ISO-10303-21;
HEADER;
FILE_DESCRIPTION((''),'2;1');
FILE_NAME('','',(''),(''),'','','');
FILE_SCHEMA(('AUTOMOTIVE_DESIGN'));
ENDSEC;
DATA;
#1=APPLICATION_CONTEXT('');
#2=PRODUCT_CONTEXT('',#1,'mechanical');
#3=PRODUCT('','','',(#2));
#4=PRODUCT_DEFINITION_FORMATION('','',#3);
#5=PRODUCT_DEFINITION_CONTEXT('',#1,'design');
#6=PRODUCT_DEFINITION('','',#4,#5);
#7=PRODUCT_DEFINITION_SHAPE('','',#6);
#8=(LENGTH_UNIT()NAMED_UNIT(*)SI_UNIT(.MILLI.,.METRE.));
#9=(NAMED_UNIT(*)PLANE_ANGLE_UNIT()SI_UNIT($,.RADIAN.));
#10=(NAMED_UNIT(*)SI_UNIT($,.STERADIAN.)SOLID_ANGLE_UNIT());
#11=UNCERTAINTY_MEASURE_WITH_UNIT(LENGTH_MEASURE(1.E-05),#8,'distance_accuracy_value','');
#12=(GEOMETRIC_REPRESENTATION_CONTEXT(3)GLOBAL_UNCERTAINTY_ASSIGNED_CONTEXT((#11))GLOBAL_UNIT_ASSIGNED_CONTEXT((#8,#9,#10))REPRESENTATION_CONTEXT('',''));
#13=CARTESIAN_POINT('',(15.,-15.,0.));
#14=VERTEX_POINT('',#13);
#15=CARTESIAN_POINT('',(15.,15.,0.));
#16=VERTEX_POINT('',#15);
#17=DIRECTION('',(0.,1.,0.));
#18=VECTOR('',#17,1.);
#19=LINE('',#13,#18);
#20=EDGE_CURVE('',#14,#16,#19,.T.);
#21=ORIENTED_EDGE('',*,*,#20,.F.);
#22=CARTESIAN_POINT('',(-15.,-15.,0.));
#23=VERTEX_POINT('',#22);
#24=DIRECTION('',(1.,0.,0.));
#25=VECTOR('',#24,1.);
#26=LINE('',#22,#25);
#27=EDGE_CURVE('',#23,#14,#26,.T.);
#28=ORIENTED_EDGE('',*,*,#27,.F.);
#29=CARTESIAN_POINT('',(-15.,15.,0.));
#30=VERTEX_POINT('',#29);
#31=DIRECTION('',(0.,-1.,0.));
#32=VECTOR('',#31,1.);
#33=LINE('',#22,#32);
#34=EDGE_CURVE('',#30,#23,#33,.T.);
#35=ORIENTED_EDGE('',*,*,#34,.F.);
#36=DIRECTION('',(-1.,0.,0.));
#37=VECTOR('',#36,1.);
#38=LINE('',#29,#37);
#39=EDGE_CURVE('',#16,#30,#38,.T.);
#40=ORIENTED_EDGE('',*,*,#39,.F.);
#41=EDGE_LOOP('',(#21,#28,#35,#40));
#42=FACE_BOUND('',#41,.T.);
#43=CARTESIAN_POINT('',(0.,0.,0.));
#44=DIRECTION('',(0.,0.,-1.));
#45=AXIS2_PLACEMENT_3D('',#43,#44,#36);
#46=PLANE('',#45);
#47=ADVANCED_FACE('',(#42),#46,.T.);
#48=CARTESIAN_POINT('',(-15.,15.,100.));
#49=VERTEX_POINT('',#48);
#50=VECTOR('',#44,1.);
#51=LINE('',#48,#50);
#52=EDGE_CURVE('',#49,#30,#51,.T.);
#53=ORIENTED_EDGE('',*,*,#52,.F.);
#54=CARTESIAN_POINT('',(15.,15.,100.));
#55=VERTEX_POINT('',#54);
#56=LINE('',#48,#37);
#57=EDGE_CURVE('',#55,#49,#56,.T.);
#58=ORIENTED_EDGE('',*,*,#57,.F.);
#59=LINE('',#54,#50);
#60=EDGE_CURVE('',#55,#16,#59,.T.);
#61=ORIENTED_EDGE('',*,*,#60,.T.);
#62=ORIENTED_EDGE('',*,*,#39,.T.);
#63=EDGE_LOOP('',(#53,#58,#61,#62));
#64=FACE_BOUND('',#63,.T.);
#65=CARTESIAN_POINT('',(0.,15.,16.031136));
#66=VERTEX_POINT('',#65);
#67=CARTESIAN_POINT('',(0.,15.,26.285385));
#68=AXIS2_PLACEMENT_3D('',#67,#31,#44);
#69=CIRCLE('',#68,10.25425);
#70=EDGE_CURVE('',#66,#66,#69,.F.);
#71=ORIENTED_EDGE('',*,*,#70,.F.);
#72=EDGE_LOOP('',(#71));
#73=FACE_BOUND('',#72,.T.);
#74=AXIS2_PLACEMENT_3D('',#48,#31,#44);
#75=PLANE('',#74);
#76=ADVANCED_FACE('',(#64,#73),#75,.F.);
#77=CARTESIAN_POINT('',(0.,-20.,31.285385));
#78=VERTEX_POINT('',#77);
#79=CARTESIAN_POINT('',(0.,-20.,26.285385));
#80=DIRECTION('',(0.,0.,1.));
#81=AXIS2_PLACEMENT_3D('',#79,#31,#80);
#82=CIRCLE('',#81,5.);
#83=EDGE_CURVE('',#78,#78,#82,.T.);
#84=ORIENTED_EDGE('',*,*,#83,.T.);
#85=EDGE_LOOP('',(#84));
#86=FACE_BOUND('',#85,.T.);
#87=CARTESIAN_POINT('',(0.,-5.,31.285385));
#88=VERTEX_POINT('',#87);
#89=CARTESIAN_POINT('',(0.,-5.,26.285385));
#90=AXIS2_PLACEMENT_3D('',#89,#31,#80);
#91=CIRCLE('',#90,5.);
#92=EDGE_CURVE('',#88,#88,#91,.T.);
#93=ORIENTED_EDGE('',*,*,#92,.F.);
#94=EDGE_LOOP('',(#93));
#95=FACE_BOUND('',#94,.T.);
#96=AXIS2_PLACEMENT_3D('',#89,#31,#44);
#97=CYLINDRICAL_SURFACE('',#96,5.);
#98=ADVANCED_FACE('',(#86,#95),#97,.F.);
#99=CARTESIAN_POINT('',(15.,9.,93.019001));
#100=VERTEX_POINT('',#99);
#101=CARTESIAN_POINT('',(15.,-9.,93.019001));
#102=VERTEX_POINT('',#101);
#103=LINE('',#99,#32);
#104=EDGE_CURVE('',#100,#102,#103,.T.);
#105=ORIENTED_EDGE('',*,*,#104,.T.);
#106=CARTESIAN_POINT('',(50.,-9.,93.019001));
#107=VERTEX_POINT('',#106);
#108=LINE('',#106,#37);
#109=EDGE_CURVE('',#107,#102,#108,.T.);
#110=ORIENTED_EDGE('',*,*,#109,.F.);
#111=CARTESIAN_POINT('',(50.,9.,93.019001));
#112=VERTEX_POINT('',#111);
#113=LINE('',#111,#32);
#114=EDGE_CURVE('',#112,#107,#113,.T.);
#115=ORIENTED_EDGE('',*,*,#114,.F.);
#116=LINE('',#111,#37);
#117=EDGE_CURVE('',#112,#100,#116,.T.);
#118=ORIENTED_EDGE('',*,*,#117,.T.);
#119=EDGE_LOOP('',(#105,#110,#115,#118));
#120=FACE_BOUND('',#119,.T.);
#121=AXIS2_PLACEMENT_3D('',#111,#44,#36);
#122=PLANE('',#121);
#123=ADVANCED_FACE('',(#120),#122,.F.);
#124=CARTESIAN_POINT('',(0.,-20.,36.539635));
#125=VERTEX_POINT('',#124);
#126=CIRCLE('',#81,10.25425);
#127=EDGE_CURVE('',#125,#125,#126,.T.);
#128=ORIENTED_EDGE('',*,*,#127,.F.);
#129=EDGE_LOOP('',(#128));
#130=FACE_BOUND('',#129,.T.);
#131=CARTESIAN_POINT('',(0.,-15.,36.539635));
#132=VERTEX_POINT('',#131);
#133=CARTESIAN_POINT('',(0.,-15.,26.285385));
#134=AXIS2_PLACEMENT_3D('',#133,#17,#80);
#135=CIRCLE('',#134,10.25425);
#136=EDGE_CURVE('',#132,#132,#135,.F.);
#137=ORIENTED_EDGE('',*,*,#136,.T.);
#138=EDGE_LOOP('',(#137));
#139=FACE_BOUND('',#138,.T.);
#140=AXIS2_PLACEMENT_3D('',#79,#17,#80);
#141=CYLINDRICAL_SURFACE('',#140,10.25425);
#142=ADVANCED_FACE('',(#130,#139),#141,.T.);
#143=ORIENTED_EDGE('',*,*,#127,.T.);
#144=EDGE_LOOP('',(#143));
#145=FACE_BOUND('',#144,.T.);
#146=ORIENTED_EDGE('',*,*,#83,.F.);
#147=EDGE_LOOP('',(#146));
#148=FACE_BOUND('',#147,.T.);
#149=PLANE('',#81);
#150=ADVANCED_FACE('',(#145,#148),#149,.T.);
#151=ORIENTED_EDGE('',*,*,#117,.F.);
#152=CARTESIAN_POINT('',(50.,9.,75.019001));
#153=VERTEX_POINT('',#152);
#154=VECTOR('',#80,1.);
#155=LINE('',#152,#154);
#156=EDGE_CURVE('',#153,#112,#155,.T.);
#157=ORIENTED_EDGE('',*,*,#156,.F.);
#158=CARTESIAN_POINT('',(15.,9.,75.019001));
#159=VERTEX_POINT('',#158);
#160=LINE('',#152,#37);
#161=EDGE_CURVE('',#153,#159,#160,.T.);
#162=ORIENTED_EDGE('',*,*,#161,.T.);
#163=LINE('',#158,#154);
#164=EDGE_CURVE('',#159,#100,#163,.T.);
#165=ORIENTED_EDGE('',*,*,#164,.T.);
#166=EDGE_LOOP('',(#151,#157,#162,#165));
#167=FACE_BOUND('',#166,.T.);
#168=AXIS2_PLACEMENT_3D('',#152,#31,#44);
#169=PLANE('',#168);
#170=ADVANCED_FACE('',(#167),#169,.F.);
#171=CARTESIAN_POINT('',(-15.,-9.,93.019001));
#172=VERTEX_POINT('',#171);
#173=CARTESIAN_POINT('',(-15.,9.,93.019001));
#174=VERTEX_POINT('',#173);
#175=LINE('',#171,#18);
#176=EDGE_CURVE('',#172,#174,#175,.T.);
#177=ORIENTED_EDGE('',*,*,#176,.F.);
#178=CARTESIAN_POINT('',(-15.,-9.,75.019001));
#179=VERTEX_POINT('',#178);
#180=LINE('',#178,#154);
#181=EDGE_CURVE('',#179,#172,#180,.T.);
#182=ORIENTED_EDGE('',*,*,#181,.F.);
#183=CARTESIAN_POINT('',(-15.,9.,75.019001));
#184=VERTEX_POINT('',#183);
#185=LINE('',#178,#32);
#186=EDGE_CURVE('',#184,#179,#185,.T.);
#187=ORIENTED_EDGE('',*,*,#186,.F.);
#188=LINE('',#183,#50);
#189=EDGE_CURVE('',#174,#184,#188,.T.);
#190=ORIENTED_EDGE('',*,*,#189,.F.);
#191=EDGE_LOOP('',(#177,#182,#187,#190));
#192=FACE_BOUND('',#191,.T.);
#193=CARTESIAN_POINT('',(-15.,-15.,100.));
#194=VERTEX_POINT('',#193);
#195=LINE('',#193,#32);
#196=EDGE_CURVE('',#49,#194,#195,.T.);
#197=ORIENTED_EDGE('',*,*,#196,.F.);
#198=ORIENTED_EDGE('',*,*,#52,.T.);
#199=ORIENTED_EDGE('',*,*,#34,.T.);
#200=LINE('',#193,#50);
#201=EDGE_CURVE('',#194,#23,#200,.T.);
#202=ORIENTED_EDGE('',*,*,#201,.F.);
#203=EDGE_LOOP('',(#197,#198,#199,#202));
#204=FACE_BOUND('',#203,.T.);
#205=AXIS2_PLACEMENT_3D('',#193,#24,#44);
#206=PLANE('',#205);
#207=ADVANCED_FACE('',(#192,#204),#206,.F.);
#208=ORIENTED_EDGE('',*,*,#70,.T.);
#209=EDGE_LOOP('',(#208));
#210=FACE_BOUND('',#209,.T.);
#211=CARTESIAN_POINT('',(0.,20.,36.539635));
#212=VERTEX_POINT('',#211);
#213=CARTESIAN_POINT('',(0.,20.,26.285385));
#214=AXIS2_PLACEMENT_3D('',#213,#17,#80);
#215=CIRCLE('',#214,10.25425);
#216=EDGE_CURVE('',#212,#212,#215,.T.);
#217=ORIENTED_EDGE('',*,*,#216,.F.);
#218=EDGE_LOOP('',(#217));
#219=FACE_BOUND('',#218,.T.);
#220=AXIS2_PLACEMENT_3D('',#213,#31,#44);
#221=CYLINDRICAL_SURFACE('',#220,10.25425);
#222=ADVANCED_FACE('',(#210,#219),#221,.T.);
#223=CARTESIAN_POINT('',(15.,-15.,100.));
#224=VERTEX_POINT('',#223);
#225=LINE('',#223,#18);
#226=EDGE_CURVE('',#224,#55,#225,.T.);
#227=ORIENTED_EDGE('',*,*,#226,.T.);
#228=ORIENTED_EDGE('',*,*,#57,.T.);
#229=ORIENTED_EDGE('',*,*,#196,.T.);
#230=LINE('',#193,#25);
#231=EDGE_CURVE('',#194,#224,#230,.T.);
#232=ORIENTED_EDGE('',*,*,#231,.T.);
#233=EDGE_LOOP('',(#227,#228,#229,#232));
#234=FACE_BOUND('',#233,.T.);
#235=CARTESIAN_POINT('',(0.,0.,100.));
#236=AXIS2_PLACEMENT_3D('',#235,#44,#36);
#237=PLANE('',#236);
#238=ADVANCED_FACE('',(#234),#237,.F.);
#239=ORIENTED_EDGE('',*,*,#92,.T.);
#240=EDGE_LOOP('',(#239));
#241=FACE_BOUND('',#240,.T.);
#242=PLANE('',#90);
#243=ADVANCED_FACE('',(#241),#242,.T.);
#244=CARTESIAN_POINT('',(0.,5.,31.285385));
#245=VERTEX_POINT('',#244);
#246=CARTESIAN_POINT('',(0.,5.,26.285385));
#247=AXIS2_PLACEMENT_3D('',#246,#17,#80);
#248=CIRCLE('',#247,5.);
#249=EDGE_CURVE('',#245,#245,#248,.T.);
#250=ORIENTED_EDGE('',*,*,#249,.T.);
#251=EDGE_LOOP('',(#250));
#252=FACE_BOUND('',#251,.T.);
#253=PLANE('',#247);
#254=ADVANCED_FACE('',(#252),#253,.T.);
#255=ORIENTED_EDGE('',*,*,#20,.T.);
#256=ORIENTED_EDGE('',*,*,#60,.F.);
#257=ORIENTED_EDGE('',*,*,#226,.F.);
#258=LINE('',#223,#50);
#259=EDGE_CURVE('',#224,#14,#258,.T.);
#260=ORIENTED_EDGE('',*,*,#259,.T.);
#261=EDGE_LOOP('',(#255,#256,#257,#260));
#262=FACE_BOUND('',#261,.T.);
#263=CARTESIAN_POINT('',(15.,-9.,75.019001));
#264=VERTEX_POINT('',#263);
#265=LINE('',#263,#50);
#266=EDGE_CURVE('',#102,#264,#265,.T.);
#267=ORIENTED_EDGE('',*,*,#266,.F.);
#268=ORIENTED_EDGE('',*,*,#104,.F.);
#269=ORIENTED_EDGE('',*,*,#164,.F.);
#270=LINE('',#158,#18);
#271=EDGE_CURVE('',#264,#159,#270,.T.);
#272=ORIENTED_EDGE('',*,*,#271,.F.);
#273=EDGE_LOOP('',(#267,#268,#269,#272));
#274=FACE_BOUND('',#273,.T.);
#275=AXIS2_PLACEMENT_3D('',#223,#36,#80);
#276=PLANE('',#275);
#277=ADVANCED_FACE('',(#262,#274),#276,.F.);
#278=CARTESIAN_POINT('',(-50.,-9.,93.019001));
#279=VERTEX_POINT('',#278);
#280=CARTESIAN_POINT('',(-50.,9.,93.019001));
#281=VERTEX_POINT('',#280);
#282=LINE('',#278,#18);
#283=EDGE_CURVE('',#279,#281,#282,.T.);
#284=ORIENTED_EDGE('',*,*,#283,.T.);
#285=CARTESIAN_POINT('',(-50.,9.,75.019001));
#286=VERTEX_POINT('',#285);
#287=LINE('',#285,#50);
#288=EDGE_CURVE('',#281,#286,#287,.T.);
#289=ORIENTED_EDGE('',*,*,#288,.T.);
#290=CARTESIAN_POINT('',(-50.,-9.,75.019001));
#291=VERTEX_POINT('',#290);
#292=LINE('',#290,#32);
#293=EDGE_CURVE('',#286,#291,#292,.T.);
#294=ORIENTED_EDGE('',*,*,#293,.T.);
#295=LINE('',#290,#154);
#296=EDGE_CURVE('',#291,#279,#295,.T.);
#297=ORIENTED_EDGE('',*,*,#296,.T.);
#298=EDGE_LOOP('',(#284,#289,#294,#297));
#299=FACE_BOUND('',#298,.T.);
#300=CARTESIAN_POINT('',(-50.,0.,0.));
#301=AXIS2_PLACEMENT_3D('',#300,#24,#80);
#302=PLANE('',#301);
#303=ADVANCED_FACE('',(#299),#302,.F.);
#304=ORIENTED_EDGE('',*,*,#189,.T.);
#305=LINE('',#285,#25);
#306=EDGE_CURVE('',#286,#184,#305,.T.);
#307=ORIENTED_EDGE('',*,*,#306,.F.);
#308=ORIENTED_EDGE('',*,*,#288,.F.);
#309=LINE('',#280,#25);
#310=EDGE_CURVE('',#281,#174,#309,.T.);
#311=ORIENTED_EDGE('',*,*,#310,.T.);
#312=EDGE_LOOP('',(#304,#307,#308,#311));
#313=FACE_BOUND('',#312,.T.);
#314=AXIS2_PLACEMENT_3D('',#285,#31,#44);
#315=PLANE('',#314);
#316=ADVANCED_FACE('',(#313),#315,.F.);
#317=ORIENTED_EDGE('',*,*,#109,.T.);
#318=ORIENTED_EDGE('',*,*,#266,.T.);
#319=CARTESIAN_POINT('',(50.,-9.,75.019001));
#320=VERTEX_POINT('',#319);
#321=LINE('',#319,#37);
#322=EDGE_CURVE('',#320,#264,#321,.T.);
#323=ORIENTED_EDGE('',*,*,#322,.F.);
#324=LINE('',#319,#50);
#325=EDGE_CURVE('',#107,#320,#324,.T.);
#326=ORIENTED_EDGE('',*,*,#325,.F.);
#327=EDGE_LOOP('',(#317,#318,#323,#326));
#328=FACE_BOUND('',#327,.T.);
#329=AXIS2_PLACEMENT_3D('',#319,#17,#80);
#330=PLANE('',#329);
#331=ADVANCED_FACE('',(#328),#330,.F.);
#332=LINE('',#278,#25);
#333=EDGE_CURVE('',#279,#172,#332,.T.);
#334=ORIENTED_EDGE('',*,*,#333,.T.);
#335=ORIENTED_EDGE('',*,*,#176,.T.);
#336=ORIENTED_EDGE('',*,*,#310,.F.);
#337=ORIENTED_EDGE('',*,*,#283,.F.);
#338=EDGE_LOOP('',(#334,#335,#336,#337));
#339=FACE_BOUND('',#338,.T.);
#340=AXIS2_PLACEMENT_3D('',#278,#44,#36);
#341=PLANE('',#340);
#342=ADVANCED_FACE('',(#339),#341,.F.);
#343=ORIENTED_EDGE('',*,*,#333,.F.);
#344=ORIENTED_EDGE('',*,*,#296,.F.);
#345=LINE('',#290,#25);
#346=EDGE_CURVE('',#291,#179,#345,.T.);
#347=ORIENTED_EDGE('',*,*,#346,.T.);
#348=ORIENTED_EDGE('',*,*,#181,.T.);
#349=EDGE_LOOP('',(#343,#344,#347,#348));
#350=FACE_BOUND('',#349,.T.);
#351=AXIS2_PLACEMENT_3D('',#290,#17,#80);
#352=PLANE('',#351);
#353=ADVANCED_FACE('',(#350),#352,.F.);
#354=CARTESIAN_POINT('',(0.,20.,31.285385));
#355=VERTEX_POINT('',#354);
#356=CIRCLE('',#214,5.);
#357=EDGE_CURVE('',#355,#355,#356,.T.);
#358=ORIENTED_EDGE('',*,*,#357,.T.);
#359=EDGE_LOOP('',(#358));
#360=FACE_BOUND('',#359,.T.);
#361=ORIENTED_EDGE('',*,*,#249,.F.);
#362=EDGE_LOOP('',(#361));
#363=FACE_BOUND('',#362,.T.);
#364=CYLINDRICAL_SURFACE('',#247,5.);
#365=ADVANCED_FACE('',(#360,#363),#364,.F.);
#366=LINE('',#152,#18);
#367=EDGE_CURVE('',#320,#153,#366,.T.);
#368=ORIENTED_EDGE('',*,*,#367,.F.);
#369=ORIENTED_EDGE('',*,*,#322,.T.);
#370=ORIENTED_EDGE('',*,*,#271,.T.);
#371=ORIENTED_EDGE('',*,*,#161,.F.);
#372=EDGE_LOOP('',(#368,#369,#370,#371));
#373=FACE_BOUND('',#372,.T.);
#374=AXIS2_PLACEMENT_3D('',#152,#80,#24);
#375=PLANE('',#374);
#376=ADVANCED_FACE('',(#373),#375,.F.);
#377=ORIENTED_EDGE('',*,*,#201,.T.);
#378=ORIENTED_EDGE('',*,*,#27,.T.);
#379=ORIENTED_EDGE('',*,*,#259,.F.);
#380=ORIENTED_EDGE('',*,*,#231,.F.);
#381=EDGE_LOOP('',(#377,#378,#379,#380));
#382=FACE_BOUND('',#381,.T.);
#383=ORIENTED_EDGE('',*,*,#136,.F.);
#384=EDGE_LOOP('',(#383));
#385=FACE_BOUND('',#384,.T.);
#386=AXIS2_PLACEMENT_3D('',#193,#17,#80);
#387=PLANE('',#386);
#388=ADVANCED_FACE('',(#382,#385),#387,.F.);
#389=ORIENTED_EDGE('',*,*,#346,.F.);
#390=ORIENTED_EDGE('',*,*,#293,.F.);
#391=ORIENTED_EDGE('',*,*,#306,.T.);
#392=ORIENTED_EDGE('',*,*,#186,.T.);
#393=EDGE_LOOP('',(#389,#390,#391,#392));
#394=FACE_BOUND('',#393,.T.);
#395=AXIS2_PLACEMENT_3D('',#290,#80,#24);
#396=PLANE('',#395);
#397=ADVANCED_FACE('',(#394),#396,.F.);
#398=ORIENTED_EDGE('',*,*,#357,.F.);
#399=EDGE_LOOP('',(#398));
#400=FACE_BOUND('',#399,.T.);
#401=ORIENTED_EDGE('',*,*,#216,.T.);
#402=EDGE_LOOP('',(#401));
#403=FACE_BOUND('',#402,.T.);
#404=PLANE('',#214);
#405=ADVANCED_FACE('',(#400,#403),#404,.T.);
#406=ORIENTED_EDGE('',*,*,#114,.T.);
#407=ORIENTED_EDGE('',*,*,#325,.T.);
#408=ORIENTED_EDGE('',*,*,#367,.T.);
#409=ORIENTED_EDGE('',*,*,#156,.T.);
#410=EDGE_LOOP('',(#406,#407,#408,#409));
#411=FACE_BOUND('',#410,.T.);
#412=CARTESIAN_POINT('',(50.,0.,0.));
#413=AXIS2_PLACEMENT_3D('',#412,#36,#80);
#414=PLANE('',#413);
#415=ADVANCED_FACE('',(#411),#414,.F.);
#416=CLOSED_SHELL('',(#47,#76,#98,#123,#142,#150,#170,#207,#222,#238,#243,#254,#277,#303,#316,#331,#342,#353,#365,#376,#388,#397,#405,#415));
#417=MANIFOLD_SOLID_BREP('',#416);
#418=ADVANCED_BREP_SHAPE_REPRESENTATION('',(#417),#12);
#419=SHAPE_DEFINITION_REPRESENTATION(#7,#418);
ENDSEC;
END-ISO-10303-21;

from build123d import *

# Parameters (mm, degrees)
SKETCH_2_W               = 30
SKETCH_2_H               = 30
EXTRUDE_1_DEPTH          = 100
SKETCH_3_W               = 18
SKETCH_3_H               = 18
EXTRUDE_2_DEPTH          = 35
PATTERN_CIRCULAR_1_COUNT = 2
SKETCH_4_R               = 10.254249717
EXTRUDE_4_DEPTH          = 5
SKETCH_5_R               = 5
CUT_EXTRUDE_2_DEPTH      = 15
PATTERN_CIRCULAR_3_COUNT = 2
PATTERN_CIRCULAR_4_COUNT = 2


with BuildPart() as part:
    # 草图2 → 凸台-拉伸1 (new body)
    with BuildSketch(Plane.XY):
        Rectangle(SKETCH_2_W, SKETCH_2_H)
    extrude(amount=EXTRUDE_1_DEPTH)

    # 草图3 → 凸台-拉伸2 (add)
    with BuildSketch(Plane(origin=(15, 0, 0), x_dir=(0, 0, -1), z_dir=(1, 0, 0))):
        with Locations((-84.019000904, 0)):
            Rectangle(SKETCH_3_W, SKETCH_3_H)
    extrude_2 = extrude(amount=EXTRUDE_2_DEPTH)

    # 阵列(圆周)1: 凸台-拉伸2 ×2 about axis
    pattern_circular_1_axis = Axis((0, 0, 0), (0, 0, 1))
    for i in range(1, PATTERN_CIRCULAR_1_COUNT):
        add(extrude_2.rotate(pattern_circular_1_axis, i * 360 / PATTERN_CIRCULAR_1_COUNT))

    # 草图4 → 凸台-拉伸4 (add)
    with BuildSketch(Plane(origin=(0, 15, 0), x_dir=(1, 0, 0), z_dir=(0, 1, 0))):
        with Locations((0, -26.28538531)):
            Circle(SKETCH_4_R)
    extrude_4 = extrude(amount=EXTRUDE_4_DEPTH)

    # 草图5 → 切除-拉伸2 (cut)
    with BuildSketch(Plane(origin=(0, 20, 0), x_dir=(1, 0, 0), z_dir=(0, 1, 0))):
        with Locations((0, -26.28538531)):
            Circle(SKETCH_5_R)
    cut_extrude_2 = extrude(amount=-CUT_EXTRUDE_2_DEPTH, mode=Mode.SUBTRACT)

    # 阵列(圆周)3: 凸台-拉伸4 ×2 about axis
    pattern_circular_3_axis = Axis((0, 0, 100), (0, 0, -1))
    for i in range(1, PATTERN_CIRCULAR_3_COUNT):
        add(extrude_4.rotate(pattern_circular_3_axis, i * 360 / PATTERN_CIRCULAR_3_COUNT))

    # 阵列(圆周)4: 切除-拉伸2 ×2 about axis
    pattern_circular_4_axis = Axis((0, 0, 100), (0, 0, -1))
    for i in range(1, PATTERN_CIRCULAR_4_COUNT):
        add(cut_extrude_2.rotate(pattern_circular_4_axis, i * 360 / PATTERN_CIRCULAR_4_COUNT), mode=Mode.SUBTRACT)


solid = part.part
